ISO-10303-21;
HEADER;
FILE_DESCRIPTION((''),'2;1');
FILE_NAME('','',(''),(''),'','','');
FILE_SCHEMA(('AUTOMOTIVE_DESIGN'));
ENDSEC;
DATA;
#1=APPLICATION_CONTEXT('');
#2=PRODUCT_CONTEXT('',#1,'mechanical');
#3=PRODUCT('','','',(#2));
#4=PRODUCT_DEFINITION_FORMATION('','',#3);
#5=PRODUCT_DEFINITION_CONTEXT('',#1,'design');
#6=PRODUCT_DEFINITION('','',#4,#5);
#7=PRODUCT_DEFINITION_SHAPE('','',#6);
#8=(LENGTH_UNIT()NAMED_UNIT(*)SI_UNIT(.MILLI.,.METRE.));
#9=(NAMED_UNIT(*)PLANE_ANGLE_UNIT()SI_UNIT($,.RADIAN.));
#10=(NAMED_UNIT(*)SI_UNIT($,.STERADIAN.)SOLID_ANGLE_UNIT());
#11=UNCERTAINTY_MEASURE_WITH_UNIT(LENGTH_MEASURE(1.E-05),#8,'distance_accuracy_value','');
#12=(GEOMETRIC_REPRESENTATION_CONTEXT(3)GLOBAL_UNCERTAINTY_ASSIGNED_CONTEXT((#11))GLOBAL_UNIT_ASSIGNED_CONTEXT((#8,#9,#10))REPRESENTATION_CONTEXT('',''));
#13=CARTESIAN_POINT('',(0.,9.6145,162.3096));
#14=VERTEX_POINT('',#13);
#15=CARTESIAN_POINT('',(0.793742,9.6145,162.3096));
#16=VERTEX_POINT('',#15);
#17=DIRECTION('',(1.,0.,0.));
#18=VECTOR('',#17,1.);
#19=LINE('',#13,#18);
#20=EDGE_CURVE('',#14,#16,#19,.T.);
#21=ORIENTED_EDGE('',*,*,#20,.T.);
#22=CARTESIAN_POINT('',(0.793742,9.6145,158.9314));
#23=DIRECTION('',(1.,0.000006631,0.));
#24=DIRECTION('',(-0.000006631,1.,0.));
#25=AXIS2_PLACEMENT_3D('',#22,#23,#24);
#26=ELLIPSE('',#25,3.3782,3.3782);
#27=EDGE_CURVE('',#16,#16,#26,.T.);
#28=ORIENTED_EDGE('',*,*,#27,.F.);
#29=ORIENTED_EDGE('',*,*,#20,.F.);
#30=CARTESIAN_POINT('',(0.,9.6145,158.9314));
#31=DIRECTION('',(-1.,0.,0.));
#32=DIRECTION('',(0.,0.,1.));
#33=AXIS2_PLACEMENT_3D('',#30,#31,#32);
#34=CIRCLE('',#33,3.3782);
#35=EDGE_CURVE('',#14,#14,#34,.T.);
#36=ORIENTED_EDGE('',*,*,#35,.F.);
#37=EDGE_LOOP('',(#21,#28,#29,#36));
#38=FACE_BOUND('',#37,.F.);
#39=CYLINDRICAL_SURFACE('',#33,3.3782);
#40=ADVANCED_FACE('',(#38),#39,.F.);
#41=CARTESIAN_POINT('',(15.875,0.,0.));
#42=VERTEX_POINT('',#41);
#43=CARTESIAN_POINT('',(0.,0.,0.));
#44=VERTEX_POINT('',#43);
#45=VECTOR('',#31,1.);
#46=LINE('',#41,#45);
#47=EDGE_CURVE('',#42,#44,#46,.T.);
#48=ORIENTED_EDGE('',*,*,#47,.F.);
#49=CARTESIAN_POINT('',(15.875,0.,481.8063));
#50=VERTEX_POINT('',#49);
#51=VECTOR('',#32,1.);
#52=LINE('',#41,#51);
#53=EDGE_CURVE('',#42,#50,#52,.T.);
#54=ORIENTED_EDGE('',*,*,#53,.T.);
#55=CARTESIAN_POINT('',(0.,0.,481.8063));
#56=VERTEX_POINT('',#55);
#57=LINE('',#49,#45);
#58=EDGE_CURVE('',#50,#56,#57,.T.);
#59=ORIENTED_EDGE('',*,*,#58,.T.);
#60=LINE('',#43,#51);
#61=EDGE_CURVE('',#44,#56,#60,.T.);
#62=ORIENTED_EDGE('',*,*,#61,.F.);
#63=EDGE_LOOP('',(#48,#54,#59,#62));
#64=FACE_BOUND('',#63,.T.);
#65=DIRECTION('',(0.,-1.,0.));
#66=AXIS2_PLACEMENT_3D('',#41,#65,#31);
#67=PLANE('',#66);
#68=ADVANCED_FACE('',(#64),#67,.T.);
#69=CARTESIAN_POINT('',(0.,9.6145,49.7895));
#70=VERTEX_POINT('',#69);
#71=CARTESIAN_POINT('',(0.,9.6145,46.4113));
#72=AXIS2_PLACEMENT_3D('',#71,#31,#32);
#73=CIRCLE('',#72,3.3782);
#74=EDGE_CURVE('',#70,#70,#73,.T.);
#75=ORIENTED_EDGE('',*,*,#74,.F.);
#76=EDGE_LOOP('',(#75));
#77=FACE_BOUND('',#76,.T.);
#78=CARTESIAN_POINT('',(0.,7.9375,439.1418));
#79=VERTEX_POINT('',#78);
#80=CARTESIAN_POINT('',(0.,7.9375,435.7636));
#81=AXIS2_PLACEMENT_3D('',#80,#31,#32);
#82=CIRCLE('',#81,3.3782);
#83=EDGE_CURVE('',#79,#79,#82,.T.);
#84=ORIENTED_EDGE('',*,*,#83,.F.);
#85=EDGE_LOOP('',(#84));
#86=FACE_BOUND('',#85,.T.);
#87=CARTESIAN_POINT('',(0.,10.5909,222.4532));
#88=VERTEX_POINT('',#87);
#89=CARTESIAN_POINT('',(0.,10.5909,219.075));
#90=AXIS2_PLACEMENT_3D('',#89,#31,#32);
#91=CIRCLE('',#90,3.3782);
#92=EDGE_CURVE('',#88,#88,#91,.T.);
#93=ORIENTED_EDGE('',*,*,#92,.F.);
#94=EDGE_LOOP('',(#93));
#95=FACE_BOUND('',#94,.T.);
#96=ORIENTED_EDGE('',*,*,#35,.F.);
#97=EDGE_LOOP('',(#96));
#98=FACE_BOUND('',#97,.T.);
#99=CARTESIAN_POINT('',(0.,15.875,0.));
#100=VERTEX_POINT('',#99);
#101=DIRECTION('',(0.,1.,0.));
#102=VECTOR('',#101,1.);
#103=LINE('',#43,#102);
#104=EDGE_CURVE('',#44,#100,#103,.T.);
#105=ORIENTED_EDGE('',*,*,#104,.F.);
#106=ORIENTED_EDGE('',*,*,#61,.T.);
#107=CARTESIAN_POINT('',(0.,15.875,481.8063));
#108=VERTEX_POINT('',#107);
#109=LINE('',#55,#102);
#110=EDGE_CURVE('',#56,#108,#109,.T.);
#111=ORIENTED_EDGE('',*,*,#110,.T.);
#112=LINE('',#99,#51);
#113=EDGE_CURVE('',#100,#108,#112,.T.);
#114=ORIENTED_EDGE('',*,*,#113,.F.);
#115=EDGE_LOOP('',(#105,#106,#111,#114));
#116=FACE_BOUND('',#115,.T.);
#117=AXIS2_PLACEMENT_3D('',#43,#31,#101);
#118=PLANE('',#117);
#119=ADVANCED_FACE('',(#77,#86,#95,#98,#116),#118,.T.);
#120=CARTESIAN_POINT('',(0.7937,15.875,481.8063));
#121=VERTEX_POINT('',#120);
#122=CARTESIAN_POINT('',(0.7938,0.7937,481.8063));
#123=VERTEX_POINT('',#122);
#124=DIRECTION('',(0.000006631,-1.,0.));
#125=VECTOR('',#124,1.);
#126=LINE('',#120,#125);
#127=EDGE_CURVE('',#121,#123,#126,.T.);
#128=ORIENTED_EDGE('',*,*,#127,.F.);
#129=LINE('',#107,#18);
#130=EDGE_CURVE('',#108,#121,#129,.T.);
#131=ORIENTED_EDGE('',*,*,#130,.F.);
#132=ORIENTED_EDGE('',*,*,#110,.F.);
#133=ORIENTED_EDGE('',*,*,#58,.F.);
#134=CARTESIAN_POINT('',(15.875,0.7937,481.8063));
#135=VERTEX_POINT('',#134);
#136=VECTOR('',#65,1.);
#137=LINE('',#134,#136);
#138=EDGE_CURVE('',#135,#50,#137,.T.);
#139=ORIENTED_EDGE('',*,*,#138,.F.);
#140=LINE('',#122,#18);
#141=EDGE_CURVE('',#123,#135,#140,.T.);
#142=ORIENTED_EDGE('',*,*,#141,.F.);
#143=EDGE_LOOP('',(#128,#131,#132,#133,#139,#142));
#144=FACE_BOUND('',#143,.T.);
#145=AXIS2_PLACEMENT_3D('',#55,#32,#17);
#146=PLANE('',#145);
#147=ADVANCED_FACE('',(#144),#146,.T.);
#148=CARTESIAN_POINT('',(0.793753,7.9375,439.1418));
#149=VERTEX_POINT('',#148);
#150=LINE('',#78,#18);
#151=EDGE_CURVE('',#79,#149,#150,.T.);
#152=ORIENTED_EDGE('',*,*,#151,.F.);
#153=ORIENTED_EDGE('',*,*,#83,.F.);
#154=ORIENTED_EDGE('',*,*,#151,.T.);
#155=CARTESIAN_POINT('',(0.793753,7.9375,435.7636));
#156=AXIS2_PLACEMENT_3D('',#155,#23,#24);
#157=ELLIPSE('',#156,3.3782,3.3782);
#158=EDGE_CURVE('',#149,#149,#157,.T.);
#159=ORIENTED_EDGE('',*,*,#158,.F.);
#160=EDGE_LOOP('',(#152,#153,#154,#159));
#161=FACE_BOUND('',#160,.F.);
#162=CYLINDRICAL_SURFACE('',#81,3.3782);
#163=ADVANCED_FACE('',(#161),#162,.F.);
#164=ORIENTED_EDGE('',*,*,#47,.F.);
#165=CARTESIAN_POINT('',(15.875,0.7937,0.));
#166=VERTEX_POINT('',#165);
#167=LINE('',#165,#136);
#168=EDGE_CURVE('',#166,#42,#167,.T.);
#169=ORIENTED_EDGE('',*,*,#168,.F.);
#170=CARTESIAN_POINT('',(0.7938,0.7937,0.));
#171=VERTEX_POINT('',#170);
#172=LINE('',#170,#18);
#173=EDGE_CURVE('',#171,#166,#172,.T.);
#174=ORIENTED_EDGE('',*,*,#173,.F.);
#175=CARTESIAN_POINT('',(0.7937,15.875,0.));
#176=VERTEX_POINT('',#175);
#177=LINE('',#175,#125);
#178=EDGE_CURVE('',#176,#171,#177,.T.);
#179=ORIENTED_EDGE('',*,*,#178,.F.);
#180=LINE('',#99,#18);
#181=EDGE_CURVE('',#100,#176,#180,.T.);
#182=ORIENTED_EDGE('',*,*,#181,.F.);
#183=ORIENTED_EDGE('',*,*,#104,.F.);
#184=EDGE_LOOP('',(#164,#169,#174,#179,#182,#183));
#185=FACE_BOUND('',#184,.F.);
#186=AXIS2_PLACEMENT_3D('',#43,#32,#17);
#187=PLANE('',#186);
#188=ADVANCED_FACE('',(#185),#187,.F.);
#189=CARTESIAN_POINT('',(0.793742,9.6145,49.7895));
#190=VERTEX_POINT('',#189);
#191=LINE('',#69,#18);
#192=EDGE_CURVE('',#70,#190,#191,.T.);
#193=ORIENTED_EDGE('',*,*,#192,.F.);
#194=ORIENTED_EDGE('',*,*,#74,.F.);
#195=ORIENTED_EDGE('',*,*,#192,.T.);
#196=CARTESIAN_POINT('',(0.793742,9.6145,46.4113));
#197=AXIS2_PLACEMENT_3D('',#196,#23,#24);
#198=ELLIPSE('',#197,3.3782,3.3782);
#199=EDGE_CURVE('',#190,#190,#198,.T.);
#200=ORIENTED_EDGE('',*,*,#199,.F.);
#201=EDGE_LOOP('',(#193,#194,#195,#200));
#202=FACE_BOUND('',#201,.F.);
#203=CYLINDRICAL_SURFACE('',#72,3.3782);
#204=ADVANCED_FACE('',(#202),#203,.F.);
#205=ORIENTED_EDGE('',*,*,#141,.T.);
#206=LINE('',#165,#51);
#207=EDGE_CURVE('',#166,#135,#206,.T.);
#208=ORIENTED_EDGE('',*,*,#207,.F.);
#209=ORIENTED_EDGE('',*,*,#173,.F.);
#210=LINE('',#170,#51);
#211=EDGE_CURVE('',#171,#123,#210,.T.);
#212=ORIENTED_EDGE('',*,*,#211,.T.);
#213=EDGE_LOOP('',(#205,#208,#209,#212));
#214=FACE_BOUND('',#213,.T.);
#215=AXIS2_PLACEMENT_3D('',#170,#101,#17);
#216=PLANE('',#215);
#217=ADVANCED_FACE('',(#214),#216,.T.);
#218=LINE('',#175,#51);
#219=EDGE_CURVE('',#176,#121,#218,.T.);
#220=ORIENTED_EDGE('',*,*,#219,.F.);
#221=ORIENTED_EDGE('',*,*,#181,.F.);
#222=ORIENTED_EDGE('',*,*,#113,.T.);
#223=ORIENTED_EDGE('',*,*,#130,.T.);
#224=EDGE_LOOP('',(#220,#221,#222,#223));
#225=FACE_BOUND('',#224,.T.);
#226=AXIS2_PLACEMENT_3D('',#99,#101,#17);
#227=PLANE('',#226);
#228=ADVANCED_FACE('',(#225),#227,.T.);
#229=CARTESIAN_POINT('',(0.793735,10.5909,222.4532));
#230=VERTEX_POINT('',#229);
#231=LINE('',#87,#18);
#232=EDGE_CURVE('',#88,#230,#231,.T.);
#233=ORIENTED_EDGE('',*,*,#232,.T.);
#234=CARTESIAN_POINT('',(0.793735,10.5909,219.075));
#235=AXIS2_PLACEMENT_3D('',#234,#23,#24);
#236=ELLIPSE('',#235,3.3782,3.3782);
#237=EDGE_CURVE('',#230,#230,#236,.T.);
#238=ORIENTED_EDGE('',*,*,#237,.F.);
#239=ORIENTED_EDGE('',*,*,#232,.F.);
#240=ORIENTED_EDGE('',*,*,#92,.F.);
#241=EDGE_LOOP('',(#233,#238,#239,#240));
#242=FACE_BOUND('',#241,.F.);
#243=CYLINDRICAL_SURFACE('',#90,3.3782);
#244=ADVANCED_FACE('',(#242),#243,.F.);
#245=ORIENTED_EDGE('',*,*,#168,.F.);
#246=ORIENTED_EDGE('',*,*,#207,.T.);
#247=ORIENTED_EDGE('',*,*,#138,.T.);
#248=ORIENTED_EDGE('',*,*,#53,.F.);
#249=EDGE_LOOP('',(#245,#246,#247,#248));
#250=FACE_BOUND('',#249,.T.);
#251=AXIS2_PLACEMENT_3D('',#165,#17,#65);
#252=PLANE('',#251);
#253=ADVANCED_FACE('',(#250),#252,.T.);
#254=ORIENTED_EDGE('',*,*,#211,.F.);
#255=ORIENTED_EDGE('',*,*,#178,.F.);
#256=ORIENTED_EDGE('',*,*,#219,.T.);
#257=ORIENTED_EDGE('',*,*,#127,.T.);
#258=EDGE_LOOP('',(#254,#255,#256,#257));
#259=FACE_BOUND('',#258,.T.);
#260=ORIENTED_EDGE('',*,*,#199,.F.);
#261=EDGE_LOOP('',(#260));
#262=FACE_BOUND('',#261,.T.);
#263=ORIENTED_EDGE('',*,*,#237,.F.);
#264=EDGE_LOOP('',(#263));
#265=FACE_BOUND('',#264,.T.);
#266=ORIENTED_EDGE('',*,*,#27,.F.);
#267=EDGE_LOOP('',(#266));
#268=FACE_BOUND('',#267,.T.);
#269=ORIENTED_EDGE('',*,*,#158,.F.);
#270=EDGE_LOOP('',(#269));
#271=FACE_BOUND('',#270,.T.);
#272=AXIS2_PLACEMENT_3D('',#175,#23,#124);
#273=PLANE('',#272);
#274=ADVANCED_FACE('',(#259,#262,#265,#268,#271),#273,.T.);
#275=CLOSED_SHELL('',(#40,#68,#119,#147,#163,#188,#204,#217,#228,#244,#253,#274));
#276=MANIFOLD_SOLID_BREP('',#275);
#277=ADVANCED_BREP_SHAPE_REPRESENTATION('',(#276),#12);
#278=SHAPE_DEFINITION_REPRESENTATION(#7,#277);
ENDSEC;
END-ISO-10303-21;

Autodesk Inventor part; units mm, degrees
ref_plane "YZ Plane" through (0, 0, 0) normal (1, 0, 0) x (0, 1, 0)
ref_plane "XZ Plane" through (0, 0, 0) normal (0, 1, 0) x (-1, 0, 0)
ref_plane "XY Plane" through (0, 0, 0) normal (0, 0, 1) x (1, 0, 0)
sketch "Sketch1" plane through (0, 0, 0) normal (0, 0, 1) x (1, 0, 0)
  line L0 (0, 0) -> (0, 15.875)
  line L1 (0, 15.875) -> (0.7937, 15.875)
  line L2 (0.7937, 15.875) -> (0.7938, 0.7937)
  line L3 (0.7938, 0.7937) -> (15.875, 0.7937)
  line L4 (15.875, 0.7937) -> (15.875, 0)
  line L5 (15.875, 0) -> (0, 0)
  dimension "d0" = 15.875
  dimension "d1" = 0.7937
extrude "Extrusion1" add sketch "Sketch1" along normal blind 481.8063
sketch "Sketch2" plane through (0, 0, 0) normal (-1, 0, 0) x (0, 0, 1)
  circle A0 centre (46.4113, 9.6145) radius 3.3782 projected
  circle A1 centre (158.9314, 9.6145) radius 3.3782 projected
  circle A2 centre (701.675, 21.658) radius 3.3782 construction
  circle A3 centre (701.675, 43.7923) radius 3.3782 construction
  circle A4 centre (701.675, 32.7252) radius 3.3782 construction
  circle A5 centre (701.675, 10.5909) radius 3.3782 projected
  line L0 (366.395, 51.5938) -> (366.395, 0.7938) construction
  line L1 (708.025, 0.7938) -> (366.395, 0.7938) construction
  line L2 (708.025, 51.5938) -> (708.025, 0.7938) construction
  line L3 (366.395, 51.5938) -> (708.025, 51.5938) construction
  circle A6 centre (219.075, 21.658) radius 3.3782 construction
  circle A7 centre (219.075, 43.7923) radius 3.3782 construction
  circle A8 centre (219.075, 32.7252) radius 3.3782 construction
  circle A9 centre (219.075, 10.5909) radius 3.3782 projected
  line L4 (262.255, 51.5938) -> (262.255, 0.7938) construction
  line L5 (212.725, 0.7938) -> (262.255, 0.7938) construction
  line L6 (212.725, 0.7938) -> (212.725, 51.5938) construction
  line L7 (212.725, 51.5938) -> (262.255, 51.5938) construction
  line L8 (0, 0) -> (0, 15.875) projected
  line L9 (481.8063, 15.875) -> (481.8063, 0) projected
  line L10 (19.05, -173.8312) -> (19.05, -103.9812) construction
  line L11 (19.05, -103.9812) -> (285.75, -103.9812) construction
  line L12 (285.75, -103.9812) -> (285.75, -173.8312) construction
  line L13 (285.75, -173.8312) -> (19.05, -173.8312) construction
  line L14 (38.1, -294.4812) -> (38.1, -265.9062) construction
  line L15 (38.1, -265.9062) -> (285.75, -265.9062) construction
  line L16 (285.75, -265.9062) -> (285.75, -294.4812) construction
  line L17 (285.75, -294.4812) -> (38.1, -294.4812) construction
  circle A10 centre (593.725, 76.9938) radius 3.3782 construction
  circle A11 centre (314.325, -202.4062) radius 3.3782 construction
  circle A12 centre (454.025, 76.9938) radius 3.3782 construction
  circle A13 centre (417.4958, -17.1968) radius 3.3782 construction
  circle A14 centre (408.5156, -26.1771) radius 3.3782 construction
  circle A15 centre (516.3297, -116.0307) radius 3.3782 construction
  circle A16 centre (507.3495, -125.011) radius 3.3782 construction
  circle A17 centre (259.0504, -62.7062) radius 3.3782 construction
  circle A18 centre (314.325, -62.7062) radius 3.3782 construction
  line L18 (191.2043, 15.9645) -> (11.4863, 15.9645) construction
  line L19 (11.4863, 15.9645) -> (11.4863, 0.7938) construction
  line L20 (11.4863, 0.7938) -> (0, 0.7938) construction
  line L21 (0, 0.7938) -> (0, -316.7062) construction
  line L22 (0, -316.7062) -> (307.975, -316.7062) construction
  line L23 (307.975, -316.7062) -> (307.975, -208.7562) construction
  line L24 (307.975, -208.7562) -> (314.325, -208.7562) construction
  arc A19 (314.325, -208.7562) -> (600.075, 76.9938) centre (314.325, 76.9938) ccw construction
  line L25 (600.075, 76.9938) -> (600.075, 83.3438) construction
  line L26 (600.075, 83.3438) -> (587.375, 83.3438) construction
  line L27 (587.375, 83.3438) -> (587.375, 76.9938) construction
  arc A20 (314.325, -196.0562) -> (587.375, 76.9938) centre (314.325, 76.9938) ccw construction
  line L28 (314.325, -196.0562) -> (314.325, -69.0562) construction
  arc A21 (314.325, -69.0562) -> (460.375, 76.9938) centre (314.325, 76.9938) ccw construction
  line L29 (460.375, 76.9938) -> (460.375, 83.3438) construction
  line L30 (460.375, 83.3438) -> (447.675, 83.3438) construction
  line L31 (447.675, 83.3438) -> (447.675, 76.9938) construction
  arc A22 (314.325, -56.3562) -> (447.675, 76.9938) centre (314.325, 76.9938) ccw construction
  line L32 (314.325, -56.3562) -> (193.675, 0.7938) construction
  line L33 (193.675, 0.7938) -> (193.675, 13.4938) construction
  line L34 (193.675, 13.4938) -> (191.2043, 15.9645) construction
  line L35 (19.05, -215.1062) -> (19.05, -186.5312) construction
  line L36 (19.05, -186.5312) -> (285.75, -186.5312) construction
  line L37 (285.75, -186.5312) -> (285.75, -215.1062) construction
  line L38 (285.75, -215.1062) -> (19.05, -215.1062) construction
  line L39 (25.4, -253.2062) -> (25.4, -281.7812) construction
  line L40 (25.4, -281.7812) -> (19.05, -281.7812) construction
  line L41 (19.05, -281.7812) -> (19.05, -253.2062) construction
  line L42 (19.05, -253.2062) -> (12.7, -253.2062) construction
  line L43 (12.7, -253.2062) -> (12.7, -227.8062) construction
  line L44 (12.7, -227.8062) -> (215.9, -227.8062) construction
  line L45 (215.9, -227.8062) -> (215.9, -253.2062) construction
  line L46 (215.9, -253.2062) -> (25.4, -253.2062) construction
  line L47 (25.4, 6.4395) -> (25.4, -62.7062) construction
  line L48 (25.4, -62.7062) -> (215.9, -62.7062) construction
  line L49 (215.9, -62.7062) -> (215.9, -88.1062) construction
  line L50 (215.9, -88.1062) -> (12.7, -88.1062) construction
  line L51 (12.7, -88.1062) -> (12.7, -62.7062) construction
  line L52 (12.7, -62.7062) -> (19.05, -62.7062) construction
  line L53 (19.05, -62.7062) -> (19.05, 6.4395) construction
  line L54 (19.05, 6.4395) -> (25.4, 6.4395) construction
  circle A23 centre (238.125, -310.3562) radius 3.3782 construction
  circle A24 centre (219.075, -310.3562) radius 3.3782 construction
  circle A25 centre (46.4113, 9.6145) radius 3.3782 construction
  circle A26 centre (158.9314, 9.6145) radius 3.3782 construction
  arc A27 (314.325, -62.7062) -> (454.025, 76.9938) centre (314.325, 76.9938) ccw construction
  line L55 (481.8063, 7.9375) -> (0, 7.9375) construction
  circle A28 centre (435.7636, 7.9375) radius 3.3782
  dimension "d6" = 6.7564
extrude "Extrusion2" cut sketch "Sketch2" against normal through all
properties part number "Shooter Middle Support Bar" material "Aluminum 6061"
